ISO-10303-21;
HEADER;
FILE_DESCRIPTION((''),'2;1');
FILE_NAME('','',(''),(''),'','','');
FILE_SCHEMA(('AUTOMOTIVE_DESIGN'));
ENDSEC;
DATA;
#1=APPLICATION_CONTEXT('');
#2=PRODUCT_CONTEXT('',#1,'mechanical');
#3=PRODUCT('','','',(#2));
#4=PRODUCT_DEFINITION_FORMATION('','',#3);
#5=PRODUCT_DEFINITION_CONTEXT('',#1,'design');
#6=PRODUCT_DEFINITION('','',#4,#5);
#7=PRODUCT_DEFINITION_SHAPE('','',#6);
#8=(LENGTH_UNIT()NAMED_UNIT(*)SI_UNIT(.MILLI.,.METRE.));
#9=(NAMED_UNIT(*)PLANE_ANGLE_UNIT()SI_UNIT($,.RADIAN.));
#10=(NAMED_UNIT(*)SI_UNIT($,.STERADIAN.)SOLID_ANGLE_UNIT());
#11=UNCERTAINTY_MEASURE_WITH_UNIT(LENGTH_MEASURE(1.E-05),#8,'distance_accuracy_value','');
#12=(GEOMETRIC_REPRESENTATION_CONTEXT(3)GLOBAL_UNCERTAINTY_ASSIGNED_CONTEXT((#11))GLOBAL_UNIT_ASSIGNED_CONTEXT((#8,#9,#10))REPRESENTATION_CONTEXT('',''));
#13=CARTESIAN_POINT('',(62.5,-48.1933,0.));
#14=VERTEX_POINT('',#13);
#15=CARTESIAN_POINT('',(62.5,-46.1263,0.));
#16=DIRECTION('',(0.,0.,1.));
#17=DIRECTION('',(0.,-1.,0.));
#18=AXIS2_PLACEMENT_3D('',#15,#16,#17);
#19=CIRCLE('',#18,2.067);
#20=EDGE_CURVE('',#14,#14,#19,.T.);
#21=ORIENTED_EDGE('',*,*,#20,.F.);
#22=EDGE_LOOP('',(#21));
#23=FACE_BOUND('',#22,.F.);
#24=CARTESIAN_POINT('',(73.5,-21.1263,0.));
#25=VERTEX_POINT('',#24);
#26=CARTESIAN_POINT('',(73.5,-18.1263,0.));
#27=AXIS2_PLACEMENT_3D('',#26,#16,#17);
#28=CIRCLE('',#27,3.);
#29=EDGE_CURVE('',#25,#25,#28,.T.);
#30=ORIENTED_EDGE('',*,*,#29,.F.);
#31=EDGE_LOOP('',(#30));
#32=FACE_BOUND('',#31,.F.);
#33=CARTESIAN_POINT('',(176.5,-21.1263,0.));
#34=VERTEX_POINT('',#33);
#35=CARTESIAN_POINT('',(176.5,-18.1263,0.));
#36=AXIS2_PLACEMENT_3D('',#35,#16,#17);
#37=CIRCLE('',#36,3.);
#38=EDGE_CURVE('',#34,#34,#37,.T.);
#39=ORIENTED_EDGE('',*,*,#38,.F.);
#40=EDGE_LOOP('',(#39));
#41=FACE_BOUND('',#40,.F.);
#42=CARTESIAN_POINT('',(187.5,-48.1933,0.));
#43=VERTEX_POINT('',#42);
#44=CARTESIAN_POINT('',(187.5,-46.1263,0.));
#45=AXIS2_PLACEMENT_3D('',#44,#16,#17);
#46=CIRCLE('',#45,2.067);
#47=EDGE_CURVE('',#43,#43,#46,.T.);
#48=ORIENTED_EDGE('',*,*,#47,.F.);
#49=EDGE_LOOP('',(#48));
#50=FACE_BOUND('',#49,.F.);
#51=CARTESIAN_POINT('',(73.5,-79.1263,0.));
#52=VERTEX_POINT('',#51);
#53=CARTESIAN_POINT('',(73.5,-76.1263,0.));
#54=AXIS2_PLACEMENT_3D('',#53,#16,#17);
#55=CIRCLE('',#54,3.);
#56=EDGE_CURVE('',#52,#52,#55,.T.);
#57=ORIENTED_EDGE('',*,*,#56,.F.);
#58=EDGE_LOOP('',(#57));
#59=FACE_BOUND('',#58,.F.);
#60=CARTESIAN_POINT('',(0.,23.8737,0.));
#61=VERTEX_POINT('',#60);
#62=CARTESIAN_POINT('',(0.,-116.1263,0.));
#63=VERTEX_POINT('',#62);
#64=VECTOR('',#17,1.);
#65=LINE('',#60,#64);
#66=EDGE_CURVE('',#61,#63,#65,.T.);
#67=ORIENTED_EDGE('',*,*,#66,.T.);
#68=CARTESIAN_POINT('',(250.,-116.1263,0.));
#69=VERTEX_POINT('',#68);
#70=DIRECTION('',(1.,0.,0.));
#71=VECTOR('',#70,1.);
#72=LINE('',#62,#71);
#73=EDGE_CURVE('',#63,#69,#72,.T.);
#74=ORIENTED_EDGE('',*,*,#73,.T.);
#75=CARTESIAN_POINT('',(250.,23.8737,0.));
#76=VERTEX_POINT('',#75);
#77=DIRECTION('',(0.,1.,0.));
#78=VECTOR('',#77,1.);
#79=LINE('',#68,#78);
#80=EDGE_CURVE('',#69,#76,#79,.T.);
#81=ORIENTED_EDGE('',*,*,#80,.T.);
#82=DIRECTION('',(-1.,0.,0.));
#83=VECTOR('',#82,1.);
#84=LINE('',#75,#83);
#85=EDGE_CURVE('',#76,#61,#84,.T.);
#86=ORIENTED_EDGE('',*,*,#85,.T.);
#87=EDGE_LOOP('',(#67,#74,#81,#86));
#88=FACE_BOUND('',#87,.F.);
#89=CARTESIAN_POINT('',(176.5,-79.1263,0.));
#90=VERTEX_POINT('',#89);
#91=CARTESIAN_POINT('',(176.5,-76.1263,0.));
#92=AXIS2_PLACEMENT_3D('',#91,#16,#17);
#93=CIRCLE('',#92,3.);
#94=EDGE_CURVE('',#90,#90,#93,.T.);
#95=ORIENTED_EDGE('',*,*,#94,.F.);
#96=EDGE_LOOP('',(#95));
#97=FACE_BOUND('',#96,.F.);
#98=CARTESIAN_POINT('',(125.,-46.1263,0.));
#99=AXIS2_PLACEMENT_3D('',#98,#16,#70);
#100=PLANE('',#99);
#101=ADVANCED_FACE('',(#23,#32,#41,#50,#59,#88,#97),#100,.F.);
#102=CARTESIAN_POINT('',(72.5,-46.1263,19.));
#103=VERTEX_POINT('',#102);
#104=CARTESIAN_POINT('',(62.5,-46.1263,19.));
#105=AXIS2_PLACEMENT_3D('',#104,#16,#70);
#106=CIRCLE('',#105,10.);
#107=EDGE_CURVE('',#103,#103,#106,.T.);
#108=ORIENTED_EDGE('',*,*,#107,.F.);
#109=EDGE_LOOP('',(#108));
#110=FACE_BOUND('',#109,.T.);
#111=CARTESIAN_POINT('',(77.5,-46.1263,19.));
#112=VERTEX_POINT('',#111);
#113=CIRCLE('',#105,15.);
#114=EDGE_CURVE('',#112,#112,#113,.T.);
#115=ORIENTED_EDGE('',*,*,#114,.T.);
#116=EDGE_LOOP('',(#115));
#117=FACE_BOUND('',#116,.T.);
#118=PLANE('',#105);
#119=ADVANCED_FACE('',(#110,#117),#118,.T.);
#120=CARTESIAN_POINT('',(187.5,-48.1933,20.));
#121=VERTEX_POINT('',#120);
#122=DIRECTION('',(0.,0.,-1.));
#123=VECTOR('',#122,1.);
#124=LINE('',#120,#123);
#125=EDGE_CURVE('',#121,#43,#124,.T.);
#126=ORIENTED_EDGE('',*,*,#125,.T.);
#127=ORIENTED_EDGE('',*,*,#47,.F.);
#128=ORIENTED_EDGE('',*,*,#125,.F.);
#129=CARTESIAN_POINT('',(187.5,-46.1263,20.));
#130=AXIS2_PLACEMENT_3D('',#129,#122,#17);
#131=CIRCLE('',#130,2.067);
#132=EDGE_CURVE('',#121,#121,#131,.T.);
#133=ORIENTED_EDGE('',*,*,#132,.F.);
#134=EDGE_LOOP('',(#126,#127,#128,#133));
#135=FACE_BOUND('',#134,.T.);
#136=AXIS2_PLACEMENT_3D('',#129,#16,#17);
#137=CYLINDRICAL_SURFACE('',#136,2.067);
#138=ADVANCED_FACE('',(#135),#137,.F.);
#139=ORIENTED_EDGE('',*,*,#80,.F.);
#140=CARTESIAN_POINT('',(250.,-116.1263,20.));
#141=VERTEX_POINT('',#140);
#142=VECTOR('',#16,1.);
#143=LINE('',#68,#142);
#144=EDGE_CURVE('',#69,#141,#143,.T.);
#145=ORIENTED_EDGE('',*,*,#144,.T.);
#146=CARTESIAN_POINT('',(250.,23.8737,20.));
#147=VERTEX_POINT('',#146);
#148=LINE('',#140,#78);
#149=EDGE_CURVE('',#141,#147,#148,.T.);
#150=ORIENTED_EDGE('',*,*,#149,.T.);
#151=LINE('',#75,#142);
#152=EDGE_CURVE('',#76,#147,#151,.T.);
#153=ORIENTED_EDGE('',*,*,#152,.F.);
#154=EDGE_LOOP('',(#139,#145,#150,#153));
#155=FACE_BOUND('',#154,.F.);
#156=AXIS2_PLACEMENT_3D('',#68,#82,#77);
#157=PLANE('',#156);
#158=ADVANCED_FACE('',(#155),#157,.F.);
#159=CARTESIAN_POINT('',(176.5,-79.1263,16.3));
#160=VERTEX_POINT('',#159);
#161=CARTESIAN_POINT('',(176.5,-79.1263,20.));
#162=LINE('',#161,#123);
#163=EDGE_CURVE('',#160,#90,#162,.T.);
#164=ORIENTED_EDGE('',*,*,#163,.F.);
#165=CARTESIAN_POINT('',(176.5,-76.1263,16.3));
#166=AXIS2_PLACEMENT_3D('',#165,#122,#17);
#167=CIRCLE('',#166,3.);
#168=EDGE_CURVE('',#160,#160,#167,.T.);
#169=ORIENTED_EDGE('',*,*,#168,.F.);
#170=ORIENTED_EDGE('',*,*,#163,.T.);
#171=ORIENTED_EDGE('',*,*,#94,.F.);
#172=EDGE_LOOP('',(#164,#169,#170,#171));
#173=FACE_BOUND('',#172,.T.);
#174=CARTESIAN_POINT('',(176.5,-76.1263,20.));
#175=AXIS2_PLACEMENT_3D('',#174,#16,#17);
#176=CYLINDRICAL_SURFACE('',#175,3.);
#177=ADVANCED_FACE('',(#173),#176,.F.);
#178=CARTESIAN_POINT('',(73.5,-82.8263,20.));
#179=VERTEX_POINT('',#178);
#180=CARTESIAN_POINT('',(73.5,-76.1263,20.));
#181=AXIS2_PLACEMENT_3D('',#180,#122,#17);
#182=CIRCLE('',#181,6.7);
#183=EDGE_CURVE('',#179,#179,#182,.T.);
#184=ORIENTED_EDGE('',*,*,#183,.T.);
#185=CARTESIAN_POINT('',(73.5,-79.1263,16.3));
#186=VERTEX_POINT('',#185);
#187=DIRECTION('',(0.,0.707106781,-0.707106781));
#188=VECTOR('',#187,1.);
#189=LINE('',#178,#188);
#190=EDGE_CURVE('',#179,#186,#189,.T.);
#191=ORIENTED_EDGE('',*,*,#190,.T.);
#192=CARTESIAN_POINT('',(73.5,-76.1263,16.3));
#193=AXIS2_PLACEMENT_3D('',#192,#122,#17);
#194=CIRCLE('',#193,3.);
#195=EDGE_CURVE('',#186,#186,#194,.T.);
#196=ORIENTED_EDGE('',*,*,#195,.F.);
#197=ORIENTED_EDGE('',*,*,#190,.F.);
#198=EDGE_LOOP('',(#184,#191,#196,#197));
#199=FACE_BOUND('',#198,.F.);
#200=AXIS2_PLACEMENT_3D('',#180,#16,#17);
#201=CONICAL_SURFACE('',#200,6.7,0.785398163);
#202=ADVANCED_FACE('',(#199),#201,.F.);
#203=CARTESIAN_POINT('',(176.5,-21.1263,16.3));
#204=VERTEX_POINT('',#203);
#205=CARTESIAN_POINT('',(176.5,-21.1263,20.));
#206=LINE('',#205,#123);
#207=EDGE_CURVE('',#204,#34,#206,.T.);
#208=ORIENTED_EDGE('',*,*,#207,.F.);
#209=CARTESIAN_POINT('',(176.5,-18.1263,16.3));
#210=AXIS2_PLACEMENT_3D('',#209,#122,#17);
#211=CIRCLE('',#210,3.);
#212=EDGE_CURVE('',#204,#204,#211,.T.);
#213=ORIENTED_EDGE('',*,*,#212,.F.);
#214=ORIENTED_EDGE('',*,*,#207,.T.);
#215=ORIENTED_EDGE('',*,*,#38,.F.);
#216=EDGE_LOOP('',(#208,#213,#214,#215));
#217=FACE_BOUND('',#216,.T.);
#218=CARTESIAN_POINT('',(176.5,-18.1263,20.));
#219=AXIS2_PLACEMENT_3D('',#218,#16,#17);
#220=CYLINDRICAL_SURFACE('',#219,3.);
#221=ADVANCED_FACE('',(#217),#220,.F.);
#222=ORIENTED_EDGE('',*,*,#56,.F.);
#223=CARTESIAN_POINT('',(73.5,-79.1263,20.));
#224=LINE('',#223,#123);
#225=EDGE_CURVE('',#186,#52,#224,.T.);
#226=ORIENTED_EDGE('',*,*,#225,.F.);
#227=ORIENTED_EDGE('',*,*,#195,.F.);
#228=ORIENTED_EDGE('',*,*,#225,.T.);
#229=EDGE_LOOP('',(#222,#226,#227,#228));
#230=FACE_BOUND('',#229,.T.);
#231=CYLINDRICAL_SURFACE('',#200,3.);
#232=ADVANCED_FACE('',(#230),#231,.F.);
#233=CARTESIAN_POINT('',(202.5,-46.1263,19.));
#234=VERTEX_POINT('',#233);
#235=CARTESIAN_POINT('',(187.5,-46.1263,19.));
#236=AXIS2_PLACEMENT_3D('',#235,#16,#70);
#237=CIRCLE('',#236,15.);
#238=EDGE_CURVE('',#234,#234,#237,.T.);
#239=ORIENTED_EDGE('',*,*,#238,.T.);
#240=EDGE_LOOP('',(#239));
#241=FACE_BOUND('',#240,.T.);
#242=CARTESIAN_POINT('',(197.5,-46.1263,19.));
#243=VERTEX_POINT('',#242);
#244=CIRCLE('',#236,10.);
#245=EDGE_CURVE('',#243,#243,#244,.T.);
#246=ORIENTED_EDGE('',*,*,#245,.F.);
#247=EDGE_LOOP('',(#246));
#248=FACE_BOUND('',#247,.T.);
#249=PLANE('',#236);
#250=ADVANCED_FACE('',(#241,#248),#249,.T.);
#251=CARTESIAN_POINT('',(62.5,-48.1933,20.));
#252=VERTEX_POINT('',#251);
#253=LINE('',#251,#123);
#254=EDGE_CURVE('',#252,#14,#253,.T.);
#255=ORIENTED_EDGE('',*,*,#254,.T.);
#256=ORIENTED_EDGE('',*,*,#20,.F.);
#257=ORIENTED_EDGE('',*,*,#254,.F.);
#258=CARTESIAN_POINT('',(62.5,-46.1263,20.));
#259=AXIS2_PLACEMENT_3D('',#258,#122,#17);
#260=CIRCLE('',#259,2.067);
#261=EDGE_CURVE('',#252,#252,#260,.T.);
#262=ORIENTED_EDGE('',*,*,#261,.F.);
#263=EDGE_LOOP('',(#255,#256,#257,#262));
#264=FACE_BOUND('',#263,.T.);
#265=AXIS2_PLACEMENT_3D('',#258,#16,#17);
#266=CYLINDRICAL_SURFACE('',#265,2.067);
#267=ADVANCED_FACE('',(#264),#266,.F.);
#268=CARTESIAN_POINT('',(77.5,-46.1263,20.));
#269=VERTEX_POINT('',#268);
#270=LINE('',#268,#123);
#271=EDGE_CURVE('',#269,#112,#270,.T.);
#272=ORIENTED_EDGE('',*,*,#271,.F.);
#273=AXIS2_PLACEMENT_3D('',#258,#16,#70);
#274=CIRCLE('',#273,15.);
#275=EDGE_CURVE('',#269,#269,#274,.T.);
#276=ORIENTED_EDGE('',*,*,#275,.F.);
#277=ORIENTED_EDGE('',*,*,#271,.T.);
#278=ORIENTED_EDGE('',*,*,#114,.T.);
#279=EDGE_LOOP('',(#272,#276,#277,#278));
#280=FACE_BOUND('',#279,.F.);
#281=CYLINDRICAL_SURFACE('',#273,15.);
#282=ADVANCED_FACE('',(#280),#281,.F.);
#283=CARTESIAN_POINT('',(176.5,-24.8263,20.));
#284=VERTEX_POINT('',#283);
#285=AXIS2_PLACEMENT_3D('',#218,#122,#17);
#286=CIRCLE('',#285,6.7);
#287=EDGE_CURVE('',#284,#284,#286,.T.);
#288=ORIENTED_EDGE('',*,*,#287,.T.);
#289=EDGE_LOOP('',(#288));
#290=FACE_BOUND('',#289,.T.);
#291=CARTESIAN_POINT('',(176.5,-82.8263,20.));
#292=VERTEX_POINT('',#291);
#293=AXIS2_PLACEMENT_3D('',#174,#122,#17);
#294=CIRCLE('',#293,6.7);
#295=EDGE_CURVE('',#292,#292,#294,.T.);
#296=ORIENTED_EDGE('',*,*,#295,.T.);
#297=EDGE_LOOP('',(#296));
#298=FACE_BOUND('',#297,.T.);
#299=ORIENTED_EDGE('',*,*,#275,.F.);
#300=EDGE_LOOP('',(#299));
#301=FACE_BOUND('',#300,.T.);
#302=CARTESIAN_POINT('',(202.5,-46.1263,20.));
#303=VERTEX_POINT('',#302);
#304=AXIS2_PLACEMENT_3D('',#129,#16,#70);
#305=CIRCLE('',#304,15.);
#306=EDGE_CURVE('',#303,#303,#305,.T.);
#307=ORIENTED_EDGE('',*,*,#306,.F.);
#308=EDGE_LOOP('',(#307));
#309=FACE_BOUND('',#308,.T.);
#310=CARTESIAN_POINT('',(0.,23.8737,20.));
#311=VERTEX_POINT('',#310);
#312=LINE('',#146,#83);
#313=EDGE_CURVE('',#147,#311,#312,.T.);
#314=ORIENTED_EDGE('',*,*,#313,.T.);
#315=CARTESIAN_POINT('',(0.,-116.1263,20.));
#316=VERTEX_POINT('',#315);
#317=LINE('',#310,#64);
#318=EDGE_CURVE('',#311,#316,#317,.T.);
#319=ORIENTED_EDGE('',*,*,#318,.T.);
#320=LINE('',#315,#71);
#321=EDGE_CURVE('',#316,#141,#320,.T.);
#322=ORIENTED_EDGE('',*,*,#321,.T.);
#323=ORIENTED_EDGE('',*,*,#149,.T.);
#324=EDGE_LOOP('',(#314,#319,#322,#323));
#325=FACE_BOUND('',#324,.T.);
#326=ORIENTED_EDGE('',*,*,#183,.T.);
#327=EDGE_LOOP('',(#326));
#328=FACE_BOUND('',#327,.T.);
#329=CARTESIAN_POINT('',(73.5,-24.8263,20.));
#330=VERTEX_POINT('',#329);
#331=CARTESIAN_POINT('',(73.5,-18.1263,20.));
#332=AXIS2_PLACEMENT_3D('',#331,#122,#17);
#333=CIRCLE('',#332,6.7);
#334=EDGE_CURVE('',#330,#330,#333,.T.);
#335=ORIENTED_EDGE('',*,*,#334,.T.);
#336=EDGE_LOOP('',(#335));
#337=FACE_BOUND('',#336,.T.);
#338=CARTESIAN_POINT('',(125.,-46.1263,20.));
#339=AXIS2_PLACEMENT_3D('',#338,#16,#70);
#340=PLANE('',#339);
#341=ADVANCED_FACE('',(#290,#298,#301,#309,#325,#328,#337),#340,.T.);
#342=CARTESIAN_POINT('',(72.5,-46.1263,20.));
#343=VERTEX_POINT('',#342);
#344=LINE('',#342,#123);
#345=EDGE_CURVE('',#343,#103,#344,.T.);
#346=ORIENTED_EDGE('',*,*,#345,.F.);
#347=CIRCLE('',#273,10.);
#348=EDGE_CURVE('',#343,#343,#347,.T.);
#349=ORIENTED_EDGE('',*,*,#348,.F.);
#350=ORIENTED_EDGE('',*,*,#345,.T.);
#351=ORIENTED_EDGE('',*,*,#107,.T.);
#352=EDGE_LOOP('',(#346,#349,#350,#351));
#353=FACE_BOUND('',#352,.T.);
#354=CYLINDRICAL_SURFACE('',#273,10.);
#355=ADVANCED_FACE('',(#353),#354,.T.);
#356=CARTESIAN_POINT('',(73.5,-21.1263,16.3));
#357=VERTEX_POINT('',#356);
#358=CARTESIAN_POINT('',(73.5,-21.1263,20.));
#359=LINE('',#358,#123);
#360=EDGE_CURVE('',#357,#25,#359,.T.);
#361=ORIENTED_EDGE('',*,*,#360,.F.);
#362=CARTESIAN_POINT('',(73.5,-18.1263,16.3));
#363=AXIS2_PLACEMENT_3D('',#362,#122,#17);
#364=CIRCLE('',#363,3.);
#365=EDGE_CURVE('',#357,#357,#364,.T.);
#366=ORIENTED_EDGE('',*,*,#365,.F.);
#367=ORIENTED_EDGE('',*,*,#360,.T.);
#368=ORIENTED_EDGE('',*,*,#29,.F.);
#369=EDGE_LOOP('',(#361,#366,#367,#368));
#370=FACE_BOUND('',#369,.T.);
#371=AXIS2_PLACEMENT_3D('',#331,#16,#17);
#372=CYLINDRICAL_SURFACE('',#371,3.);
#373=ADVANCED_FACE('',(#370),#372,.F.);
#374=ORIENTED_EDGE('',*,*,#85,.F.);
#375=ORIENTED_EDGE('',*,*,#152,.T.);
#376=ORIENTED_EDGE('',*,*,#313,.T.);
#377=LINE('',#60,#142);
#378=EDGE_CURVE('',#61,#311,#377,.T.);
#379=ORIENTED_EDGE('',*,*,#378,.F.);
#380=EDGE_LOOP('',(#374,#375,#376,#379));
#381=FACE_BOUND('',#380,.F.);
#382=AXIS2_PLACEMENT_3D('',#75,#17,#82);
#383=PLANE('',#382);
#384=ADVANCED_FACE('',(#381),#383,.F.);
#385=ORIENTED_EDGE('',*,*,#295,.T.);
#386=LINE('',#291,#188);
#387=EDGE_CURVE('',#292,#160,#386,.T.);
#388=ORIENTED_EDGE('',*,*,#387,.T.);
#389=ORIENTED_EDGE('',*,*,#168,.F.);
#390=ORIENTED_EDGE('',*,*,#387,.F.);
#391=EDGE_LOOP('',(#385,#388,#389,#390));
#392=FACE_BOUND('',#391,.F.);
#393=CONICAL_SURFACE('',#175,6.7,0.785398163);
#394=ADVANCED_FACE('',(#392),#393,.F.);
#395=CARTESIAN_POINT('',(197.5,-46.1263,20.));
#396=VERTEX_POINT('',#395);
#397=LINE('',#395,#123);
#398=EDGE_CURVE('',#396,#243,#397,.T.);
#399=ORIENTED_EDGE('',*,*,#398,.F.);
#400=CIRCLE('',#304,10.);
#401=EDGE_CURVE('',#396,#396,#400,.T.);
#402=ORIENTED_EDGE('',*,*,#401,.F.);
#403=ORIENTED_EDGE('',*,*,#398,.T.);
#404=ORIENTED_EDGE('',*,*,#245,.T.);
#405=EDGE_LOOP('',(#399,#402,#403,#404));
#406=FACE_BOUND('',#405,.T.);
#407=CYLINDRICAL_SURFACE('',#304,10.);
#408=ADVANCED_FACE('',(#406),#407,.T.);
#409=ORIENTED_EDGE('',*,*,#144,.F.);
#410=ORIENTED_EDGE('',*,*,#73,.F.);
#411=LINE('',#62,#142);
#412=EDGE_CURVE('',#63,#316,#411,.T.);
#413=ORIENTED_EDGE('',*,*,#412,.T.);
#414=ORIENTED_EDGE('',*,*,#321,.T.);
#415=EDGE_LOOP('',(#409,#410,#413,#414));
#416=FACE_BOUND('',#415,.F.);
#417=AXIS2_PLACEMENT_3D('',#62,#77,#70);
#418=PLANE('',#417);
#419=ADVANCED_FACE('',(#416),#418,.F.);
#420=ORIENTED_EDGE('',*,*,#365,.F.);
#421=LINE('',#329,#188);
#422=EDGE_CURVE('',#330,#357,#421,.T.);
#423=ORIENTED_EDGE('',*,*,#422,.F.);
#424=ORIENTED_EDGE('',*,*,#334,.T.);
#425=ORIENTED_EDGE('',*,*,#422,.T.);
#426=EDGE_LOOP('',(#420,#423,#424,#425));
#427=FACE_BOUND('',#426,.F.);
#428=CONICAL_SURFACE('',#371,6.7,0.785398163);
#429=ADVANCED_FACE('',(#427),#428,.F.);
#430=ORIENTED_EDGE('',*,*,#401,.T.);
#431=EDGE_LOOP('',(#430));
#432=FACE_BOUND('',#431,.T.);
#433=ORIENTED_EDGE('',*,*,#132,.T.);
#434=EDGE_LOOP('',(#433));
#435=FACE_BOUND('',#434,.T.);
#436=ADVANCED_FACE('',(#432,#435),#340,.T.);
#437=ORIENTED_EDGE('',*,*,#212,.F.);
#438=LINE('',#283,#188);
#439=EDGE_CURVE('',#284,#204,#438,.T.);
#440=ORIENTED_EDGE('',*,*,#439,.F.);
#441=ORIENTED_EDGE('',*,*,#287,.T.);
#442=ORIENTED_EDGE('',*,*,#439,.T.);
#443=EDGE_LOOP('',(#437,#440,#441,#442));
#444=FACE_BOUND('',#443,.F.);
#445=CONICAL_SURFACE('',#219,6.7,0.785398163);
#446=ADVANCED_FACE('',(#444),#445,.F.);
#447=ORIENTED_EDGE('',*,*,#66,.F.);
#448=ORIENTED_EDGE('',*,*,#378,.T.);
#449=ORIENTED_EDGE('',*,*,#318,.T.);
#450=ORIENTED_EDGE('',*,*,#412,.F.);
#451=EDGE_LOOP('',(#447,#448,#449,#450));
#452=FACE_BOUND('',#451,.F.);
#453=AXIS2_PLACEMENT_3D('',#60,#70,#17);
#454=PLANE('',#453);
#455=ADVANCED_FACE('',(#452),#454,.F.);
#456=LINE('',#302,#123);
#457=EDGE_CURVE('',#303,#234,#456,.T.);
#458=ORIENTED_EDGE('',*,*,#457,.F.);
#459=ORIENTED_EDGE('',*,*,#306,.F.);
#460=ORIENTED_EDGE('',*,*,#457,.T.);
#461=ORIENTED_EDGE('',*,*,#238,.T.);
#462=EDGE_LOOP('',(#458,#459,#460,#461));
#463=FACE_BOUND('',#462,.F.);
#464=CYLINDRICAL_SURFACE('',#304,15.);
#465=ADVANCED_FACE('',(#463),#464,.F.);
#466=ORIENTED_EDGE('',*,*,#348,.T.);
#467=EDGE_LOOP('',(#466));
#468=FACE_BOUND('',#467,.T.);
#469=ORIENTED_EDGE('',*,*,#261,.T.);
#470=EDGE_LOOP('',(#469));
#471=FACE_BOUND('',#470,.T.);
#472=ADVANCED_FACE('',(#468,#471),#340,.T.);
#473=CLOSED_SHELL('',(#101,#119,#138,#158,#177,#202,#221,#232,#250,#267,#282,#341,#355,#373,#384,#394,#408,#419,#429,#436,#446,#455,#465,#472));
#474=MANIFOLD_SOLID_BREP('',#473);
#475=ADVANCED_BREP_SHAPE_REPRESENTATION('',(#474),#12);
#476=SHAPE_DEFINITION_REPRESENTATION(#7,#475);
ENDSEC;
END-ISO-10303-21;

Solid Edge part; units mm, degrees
sketch "Sketch1" plane through (0, 0, 0) normal (0, 0, 1) x (1, 0, 0)
  line L0 (0, -116.1263) -> (250, -116.1263)
  line L1 (250, -116.1263) -> (250, 23.8737)
  line L2 (250, 23.8737) -> (0, 23.8737)
  line L3 (0, 23.8737) -> (0, -116.1263)
  dimension "D1" = 250
  dimension "D2" = 140
extrude "Protrusion1" add sketch "Sketch1" along normal blind 20
hole "Hole1" at (187.5, -46.1263, 20) direction (0, 0, -1) diameter 4.134 end through all
hole "Hole2" at (62.5, -46.1263, 20) direction (0, 0, -1) diameter 4.134 end through all
sketch "Sketch2" plane through (125, -46.1263, 20) normal (0, 0, 1) x (1, 0, 0)
  circle A0 centre (-62.5, 0) radius 15
  circle A1 centre (62.5, 0) radius 10
  circle A2 centre (62.5, 0) radius 15
  circle A3 centre (-62.5, 0) radius 10
  dimension "D1" = 20
  dimension "D2" = 30
  dimension "D3" = 20
  dimension "D4" = 30
extrude "lager_plaatser" cut sketch "Sketch2" against normal blind 1
hole "Hole_3" at (176.5, -18.1263, 20) direction (0, 0, -1) diameter 6 end through all countersink diameter 13.4 countersink angle 90
hole "Hole3" at (176.5, -76.1263, 20) direction (0, 0, -1) diameter 6 end through all countersink diameter 13.4 countersink angle 90
hole "Hole4" at (73.5, -76.1263, 20) direction (0, 0, -1) diameter 6 end through all countersink diameter 13.4 countersink angle 90
hole "Hole5" at (73.5, -18.1263, 20) direction (0, 0, -1) diameter 6 end through all countersink diameter 13.4 countersink angle 90
